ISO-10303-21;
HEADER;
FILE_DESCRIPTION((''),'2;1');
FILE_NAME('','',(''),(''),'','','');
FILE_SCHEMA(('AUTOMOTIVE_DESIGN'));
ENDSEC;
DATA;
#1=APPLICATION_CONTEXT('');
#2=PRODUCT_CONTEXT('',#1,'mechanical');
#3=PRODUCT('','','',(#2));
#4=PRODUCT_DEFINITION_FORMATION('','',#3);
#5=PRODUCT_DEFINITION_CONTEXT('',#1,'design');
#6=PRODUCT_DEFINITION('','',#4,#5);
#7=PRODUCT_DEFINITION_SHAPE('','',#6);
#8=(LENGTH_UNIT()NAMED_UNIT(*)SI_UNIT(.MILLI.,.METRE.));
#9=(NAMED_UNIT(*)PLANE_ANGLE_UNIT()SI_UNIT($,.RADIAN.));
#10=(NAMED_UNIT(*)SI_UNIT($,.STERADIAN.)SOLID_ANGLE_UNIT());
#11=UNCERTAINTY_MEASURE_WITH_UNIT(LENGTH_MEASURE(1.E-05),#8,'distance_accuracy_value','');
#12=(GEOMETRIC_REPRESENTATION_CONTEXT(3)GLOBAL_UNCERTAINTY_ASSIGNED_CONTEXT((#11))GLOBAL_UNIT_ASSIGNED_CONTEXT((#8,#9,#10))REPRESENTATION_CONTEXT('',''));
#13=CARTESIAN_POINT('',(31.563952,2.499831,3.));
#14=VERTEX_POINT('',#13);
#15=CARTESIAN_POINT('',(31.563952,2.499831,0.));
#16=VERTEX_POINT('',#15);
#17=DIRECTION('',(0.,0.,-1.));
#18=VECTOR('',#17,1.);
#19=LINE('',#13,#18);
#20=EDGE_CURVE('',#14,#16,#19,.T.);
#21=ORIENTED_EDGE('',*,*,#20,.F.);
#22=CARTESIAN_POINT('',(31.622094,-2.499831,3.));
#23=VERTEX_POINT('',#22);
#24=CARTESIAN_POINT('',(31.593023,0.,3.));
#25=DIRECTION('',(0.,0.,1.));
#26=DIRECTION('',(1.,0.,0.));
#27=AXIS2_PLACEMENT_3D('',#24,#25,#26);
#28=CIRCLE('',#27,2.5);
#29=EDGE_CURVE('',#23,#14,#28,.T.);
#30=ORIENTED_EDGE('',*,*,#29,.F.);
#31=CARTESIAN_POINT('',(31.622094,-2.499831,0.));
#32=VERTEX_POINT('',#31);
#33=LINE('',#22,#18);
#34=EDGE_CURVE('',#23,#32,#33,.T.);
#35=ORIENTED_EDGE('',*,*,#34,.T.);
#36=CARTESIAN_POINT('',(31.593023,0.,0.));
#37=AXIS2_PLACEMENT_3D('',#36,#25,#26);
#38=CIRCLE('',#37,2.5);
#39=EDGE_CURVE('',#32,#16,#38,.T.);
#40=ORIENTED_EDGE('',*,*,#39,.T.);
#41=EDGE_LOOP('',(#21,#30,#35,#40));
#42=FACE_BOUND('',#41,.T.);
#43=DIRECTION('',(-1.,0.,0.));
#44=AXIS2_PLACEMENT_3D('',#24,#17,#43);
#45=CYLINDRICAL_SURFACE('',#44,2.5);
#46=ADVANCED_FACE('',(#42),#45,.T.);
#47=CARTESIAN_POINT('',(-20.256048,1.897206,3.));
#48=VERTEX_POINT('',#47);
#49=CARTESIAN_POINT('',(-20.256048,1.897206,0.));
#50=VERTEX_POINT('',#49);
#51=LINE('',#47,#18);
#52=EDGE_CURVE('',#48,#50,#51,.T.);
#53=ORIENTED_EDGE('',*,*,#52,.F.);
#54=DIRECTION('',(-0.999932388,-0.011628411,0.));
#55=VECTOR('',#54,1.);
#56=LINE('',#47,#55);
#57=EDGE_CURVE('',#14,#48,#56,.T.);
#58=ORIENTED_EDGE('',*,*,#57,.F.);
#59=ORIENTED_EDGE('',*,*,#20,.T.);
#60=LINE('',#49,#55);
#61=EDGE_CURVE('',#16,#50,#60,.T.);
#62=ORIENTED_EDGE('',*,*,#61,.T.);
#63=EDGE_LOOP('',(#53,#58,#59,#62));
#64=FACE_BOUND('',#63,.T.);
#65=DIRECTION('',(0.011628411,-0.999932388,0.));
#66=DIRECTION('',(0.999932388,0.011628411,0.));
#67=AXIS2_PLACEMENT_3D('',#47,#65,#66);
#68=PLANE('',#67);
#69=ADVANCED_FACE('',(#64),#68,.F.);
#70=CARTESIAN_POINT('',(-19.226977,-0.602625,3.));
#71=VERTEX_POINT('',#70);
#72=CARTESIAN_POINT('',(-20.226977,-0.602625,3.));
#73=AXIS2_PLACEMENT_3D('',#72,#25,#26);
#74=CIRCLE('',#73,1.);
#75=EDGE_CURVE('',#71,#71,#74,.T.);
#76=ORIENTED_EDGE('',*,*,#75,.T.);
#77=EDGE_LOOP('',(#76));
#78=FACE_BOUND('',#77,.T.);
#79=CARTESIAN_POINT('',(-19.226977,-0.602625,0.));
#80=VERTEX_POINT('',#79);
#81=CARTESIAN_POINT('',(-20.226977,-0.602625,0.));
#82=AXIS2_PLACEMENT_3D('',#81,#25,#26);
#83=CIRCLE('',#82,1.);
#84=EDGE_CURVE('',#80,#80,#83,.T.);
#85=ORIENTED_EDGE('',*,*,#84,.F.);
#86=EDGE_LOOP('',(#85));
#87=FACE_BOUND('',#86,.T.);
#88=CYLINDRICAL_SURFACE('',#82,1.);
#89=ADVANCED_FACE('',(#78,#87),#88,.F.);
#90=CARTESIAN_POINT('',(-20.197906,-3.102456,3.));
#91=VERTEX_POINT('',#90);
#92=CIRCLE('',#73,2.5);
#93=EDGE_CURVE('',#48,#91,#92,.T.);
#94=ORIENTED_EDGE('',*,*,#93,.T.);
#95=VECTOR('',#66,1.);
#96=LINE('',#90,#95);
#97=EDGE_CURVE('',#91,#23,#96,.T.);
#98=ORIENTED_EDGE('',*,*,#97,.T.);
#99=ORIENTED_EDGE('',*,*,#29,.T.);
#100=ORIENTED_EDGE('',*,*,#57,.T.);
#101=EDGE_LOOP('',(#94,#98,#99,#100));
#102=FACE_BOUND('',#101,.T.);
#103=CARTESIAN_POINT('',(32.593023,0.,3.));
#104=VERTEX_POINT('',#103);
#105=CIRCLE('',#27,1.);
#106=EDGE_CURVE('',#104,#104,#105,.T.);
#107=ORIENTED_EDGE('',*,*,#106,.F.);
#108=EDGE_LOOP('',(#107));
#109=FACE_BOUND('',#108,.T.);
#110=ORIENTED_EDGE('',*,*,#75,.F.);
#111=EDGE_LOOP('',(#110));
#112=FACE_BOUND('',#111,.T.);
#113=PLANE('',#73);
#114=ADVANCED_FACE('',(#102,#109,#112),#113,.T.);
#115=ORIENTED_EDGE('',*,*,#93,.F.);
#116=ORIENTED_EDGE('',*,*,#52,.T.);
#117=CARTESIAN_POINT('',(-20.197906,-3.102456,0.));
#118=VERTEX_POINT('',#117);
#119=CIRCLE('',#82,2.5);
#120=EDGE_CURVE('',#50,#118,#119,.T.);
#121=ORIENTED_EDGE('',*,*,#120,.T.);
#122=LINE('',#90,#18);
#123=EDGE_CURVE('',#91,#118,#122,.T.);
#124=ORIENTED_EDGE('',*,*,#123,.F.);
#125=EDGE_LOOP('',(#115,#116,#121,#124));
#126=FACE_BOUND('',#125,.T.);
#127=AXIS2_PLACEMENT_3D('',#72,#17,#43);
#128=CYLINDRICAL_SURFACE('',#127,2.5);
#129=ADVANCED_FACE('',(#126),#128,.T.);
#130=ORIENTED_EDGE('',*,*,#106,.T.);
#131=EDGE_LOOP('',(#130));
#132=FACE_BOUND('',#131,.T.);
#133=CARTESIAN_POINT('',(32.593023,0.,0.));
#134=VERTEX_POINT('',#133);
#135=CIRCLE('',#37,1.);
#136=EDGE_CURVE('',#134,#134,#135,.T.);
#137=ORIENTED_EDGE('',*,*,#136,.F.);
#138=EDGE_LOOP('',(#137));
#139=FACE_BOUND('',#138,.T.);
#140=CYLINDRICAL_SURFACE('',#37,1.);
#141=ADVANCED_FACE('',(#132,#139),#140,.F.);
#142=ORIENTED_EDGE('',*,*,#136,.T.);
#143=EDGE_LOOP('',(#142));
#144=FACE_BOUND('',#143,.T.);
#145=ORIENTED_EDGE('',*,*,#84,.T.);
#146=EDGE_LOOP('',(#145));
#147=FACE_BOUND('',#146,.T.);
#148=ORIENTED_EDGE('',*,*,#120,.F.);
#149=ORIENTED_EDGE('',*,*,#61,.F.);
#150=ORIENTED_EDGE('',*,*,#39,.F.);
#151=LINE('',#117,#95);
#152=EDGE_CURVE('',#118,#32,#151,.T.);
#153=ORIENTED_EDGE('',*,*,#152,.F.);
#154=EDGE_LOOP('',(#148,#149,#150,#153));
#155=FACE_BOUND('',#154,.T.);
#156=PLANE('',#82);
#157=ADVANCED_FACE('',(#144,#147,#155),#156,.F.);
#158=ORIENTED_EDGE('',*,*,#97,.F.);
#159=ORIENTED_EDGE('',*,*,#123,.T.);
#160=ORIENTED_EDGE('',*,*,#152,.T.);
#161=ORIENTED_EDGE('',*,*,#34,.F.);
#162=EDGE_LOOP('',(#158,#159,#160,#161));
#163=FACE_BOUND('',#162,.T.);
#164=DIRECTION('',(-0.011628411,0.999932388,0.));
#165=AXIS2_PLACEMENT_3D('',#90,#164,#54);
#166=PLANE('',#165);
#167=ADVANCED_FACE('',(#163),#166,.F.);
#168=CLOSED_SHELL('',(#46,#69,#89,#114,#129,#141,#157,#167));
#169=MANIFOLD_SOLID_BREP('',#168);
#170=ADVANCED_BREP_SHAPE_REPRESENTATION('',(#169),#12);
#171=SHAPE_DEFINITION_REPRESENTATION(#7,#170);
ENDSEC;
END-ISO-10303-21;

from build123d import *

# Parameters (mm, degrees)
BOSS_EXTRUDE1_DEPTH = 3
SKETCH2_R           = 1
CUT_EXTRUDE1_DEPTH  = 35.365105642


with BuildPart() as part:
    # Sketch1 → Boss-Extrude1 (new body)
    with BuildSketch(Plane.XY):
        with BuildLine():
            Line((-20.256048223, 1.897205969), (31.563951777, 2.499830969))
            ThreePointArc((31.563951777, 2.499830969), (34.092853773, 0.029071027), (31.622093831, -2.499830969))
            Line((31.622093831, -2.499830969), (-20.197906169, -3.102455969))
            ThreePointArc((-20.197906169, -3.102455969), (-22.726808165, -0.631696027), (-20.256048223, 1.897205969))
        make_face()
    extrude(amount=BOSS_EXTRUDE1_DEPTH)

    # Sketch2 → Cut-Extrude1 (cut, through all)
    with BuildSketch(Plane.XY.offset(3)):
        with Locations((31.593022804, 0)):
            Circle(SKETCH2_R)
        with Locations((-20.226977196, -0.602625)):
            Circle(SKETCH2_R)
    extrude(amount=-CUT_EXTRUDE1_DEPTH, mode=Mode.SUBTRACT)


solid = part.part
